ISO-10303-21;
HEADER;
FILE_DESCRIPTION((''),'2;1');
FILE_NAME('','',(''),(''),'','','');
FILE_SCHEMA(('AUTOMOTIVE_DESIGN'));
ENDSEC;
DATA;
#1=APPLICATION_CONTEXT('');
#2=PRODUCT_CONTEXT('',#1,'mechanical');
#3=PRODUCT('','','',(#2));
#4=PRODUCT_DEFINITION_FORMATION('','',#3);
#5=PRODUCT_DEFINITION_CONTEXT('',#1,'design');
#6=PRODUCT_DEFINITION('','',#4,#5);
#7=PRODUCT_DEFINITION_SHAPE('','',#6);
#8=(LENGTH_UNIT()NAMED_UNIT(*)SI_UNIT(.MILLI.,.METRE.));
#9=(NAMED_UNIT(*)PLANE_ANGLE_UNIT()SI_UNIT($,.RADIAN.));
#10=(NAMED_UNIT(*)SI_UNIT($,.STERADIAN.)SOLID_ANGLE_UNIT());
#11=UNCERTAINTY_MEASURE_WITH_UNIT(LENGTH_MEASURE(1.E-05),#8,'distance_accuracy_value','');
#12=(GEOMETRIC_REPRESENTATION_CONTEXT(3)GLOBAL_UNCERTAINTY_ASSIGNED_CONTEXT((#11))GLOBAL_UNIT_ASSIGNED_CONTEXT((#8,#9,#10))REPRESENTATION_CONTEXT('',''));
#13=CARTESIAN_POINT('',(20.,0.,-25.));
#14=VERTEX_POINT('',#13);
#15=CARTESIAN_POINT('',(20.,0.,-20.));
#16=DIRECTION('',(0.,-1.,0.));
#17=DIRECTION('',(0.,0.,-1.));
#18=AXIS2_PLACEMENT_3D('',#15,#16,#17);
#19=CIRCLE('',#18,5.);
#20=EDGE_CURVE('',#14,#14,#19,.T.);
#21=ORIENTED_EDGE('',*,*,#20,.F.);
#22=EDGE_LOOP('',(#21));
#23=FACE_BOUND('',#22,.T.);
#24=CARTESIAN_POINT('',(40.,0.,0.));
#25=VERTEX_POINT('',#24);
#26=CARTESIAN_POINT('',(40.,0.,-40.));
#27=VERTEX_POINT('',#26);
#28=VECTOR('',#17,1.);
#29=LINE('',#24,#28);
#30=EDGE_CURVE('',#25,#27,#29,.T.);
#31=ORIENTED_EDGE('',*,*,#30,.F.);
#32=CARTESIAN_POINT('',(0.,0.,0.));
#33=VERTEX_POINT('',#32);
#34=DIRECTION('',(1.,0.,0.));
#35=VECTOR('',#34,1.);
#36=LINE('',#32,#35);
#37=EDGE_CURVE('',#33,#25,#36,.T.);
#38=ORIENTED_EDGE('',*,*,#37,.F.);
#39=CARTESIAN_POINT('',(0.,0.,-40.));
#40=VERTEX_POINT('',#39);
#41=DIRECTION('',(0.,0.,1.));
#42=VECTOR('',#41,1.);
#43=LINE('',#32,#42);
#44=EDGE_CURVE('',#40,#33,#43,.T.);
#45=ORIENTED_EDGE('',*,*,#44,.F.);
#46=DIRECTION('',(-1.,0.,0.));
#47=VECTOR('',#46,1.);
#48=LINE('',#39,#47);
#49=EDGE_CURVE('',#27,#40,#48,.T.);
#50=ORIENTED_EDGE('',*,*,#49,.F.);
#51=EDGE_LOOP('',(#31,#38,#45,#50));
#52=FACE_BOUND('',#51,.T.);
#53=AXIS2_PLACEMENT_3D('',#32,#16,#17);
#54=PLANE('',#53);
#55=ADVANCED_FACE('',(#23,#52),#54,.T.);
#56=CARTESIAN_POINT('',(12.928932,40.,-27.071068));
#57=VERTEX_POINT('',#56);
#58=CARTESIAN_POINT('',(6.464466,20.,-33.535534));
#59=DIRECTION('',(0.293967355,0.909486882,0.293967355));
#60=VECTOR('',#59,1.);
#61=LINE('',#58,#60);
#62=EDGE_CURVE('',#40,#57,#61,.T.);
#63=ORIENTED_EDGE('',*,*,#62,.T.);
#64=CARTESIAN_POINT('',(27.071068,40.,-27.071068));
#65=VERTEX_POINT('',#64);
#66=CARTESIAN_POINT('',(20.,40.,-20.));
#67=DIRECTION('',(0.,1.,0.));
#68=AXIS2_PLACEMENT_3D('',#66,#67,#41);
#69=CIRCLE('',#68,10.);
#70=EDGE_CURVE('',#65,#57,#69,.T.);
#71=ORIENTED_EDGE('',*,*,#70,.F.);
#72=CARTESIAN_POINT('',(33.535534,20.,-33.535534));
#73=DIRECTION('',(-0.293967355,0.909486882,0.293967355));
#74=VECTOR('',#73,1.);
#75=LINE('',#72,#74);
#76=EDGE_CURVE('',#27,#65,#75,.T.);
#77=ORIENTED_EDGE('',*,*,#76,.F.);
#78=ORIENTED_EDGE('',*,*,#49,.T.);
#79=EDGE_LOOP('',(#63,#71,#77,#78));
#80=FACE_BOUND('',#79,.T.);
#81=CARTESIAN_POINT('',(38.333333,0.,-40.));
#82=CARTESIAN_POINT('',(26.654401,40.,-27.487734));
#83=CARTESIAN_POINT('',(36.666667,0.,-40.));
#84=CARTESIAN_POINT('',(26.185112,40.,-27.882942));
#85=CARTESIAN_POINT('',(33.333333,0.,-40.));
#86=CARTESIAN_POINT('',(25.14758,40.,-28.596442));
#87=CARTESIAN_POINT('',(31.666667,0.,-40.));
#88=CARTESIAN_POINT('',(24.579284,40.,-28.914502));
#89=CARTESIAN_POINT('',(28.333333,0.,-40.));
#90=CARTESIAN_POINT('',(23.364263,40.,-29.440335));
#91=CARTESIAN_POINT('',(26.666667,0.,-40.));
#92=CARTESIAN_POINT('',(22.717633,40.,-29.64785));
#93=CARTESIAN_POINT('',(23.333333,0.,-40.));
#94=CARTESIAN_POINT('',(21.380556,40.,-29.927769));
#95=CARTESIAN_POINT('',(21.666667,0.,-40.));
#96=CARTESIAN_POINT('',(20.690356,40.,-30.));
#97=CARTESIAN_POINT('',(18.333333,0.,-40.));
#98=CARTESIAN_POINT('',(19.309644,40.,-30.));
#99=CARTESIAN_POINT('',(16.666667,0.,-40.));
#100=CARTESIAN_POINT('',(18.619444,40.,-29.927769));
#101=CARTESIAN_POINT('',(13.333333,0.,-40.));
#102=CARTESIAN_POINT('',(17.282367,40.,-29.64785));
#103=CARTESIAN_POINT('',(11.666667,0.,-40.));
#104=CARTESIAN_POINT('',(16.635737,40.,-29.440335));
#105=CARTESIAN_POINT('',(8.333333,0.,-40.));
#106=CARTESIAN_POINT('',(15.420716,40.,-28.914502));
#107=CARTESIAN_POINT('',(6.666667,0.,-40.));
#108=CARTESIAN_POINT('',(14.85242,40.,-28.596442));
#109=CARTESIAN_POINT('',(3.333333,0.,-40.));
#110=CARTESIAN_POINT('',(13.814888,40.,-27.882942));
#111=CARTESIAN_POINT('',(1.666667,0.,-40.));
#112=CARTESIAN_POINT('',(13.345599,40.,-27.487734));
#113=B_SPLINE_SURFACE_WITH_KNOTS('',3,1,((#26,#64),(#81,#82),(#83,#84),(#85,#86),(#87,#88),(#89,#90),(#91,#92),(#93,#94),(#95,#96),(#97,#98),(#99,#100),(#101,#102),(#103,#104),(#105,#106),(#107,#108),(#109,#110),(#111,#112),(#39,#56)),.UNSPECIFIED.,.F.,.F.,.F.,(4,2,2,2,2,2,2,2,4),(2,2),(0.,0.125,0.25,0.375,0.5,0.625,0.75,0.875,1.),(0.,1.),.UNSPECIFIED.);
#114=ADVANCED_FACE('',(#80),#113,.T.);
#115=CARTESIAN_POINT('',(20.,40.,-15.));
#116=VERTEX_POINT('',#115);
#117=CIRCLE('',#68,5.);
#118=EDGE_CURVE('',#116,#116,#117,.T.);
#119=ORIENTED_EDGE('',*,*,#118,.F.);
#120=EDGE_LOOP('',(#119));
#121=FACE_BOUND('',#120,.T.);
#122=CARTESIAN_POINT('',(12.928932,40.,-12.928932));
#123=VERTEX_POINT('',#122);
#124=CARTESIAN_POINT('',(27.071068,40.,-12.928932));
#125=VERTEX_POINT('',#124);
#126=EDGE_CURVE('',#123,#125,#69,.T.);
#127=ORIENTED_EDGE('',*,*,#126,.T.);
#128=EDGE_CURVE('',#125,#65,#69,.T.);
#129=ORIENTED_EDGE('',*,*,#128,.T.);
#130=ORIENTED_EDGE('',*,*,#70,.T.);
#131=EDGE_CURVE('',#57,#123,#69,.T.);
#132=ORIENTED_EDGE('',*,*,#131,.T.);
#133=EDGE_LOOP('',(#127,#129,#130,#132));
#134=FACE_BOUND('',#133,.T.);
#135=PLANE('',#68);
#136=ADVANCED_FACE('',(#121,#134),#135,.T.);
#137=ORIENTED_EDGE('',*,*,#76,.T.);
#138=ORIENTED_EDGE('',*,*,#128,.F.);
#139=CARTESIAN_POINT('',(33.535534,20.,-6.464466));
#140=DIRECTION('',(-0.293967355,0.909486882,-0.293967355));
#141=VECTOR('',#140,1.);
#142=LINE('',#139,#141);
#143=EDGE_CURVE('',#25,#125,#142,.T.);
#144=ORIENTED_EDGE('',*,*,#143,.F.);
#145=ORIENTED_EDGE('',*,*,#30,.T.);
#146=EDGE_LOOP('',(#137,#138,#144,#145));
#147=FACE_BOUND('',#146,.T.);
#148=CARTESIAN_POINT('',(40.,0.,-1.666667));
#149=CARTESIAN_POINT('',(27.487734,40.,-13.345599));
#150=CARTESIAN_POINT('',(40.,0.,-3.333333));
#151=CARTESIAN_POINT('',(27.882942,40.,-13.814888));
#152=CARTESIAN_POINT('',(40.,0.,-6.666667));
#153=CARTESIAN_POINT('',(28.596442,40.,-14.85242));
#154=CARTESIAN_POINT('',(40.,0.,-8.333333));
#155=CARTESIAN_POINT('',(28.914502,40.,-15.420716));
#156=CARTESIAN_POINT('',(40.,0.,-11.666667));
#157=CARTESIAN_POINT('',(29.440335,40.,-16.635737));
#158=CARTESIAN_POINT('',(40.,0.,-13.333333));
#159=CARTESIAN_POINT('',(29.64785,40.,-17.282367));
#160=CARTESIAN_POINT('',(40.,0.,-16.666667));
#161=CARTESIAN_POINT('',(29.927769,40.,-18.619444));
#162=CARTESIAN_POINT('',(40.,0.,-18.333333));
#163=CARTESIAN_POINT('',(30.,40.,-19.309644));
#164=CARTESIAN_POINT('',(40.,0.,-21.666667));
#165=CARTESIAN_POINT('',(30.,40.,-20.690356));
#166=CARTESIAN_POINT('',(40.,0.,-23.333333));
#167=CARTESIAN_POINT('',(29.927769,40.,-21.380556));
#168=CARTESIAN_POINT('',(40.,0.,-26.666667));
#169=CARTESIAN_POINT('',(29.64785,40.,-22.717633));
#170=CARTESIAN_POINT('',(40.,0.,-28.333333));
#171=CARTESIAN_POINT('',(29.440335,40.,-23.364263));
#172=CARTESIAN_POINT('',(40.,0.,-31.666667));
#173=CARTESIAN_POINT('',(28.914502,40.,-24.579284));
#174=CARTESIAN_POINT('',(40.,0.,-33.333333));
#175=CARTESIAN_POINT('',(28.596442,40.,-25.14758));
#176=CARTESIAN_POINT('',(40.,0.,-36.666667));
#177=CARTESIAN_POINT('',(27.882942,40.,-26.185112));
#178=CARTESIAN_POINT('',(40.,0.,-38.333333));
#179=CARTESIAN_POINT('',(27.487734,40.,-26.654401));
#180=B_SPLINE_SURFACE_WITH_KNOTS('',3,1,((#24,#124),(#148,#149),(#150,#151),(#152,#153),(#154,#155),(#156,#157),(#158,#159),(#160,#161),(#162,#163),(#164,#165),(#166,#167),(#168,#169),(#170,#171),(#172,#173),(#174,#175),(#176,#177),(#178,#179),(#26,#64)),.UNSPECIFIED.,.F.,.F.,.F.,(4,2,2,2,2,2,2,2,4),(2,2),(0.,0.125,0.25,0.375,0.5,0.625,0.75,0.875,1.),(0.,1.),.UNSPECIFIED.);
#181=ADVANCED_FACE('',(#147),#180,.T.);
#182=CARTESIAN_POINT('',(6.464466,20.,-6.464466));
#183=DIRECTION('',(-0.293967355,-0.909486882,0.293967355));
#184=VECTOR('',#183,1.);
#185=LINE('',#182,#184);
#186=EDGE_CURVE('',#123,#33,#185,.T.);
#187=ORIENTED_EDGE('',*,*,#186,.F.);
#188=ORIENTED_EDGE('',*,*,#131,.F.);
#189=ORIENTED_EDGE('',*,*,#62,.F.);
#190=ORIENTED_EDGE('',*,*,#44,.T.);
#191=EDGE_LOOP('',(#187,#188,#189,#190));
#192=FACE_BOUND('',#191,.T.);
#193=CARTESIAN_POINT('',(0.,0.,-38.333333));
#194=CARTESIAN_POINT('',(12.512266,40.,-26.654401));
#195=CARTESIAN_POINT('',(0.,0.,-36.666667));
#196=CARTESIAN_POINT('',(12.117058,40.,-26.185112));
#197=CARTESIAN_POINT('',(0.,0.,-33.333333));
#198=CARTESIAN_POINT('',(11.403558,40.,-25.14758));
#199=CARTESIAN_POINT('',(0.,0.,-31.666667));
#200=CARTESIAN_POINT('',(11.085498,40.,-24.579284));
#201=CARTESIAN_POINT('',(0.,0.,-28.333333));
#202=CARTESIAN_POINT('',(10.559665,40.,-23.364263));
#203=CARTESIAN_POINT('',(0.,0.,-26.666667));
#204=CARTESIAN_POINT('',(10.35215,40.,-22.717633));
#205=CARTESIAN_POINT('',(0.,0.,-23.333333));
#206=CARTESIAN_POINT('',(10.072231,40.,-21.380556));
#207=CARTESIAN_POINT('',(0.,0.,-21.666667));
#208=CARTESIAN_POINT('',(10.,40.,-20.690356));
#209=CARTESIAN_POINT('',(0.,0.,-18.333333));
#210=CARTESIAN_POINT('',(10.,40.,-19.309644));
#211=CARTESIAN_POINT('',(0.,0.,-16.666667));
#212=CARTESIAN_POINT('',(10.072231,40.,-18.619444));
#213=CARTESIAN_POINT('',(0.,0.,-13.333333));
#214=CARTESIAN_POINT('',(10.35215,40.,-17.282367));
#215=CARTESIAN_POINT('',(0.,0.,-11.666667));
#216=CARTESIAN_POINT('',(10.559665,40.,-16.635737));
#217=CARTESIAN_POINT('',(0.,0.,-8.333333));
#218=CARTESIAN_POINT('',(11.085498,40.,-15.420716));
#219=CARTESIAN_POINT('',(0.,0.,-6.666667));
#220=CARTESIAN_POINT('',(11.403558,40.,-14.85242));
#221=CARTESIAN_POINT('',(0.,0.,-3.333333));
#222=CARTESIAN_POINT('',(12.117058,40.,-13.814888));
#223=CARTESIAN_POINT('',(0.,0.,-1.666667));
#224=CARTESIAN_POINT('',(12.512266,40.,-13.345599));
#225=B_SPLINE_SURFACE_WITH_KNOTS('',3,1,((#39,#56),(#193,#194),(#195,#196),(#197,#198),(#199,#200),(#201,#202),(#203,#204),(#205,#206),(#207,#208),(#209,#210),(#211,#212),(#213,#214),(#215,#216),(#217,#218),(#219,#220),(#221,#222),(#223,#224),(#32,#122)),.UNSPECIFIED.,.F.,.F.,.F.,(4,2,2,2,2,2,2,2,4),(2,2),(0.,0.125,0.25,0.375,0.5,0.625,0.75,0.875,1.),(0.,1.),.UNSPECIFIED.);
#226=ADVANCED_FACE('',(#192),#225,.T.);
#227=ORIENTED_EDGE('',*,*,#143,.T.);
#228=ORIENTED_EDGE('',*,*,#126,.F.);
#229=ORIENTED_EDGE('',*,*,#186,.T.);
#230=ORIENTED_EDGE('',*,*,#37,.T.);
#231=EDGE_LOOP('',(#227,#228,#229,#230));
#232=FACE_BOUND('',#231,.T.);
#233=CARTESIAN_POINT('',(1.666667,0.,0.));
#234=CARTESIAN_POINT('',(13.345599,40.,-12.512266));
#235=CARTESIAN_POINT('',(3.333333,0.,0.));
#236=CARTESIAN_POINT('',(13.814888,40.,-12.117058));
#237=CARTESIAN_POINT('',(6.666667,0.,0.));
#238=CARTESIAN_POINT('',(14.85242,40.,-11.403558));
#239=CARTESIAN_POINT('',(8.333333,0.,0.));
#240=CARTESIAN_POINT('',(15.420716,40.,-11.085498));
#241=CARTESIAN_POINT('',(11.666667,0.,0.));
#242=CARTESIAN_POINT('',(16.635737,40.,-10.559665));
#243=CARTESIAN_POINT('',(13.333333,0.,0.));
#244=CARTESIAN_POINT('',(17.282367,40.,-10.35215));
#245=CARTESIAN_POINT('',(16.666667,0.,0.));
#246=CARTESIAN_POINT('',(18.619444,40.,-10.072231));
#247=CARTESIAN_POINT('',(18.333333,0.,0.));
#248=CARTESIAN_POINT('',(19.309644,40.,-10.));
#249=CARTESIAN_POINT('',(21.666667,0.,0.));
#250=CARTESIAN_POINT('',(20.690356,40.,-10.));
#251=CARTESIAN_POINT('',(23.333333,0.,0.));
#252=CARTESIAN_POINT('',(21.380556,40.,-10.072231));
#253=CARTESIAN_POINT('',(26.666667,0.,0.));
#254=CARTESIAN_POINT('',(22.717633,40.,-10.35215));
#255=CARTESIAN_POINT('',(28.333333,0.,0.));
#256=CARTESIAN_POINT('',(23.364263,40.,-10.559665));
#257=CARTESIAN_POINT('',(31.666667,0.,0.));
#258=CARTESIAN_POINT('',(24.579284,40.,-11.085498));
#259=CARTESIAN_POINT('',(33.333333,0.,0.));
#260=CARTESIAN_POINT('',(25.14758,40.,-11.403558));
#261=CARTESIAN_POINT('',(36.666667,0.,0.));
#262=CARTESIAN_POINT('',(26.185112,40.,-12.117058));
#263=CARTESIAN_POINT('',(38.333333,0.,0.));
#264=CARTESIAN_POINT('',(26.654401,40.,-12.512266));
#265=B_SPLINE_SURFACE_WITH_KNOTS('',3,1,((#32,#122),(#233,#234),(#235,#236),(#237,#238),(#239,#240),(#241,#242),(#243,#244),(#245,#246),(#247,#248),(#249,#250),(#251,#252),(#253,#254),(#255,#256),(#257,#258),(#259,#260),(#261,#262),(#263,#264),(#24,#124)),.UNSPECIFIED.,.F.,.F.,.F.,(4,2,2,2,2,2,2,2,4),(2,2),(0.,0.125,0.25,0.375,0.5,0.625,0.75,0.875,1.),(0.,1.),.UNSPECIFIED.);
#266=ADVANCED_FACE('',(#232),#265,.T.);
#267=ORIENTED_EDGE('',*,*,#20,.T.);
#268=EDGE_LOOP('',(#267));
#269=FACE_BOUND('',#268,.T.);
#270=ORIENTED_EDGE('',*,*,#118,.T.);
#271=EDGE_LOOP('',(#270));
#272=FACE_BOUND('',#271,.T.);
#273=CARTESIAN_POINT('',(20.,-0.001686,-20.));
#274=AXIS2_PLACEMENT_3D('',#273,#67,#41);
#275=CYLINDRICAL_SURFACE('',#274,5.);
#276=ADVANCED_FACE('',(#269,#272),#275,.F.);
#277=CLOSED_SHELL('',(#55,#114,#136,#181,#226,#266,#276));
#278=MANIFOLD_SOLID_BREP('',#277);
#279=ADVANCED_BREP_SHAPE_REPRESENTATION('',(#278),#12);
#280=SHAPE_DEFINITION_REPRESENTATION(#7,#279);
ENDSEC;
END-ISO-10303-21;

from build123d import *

# Parameters (mm, degrees)
SKETCH1_W          = 40
SKETCH1_H          = 40
SKETCH3_R          = 5
CUT_EXTRUDE1_DEPTH = 70.282032476


with BuildPart() as part:
    # Sketch1 → Loft1 section 0
    with BuildSketch(Plane(origin=(0, 0, 0), x_dir=(1, 0, 0), z_dir=(0, 1, 0))):
        with Locations((20, 20)):
            Rectangle(SKETCH1_W, SKETCH1_H)
    # Sketch2 for Loft1 → Loft1 section 1
    with BuildSketch(Plane(origin=(0, 40, 0), x_dir=(1, 0, 0), z_dir=(0, 1, 0))):
        with BuildLine():
            # circular arc as an exact rational Bezier (weights 1, cos(half-angle), 1)
            Bezier((12.928932188, 12.928932188), (20, 5.857864377), (27.071067812, 12.928932188), weights=[1, 0.707106781, 1])
            Bezier((27.071067812, 12.928932188), (34.142135623, 20), (27.071067812, 27.071067812), weights=[1, 0.707106781, 1])
            Bezier((27.071067812, 27.071067812), (20, 34.142135623), (12.928932188, 27.071067812), weights=[1, 0.707106781, 1])
            Bezier((12.928932188, 27.071067812), (5.857864377, 20), (12.928932188, 12.928932188), weights=[1, 0.707106781, 1])
        make_face()
    loft()

    # Sketch3 → Cut-Extrude1 (cut, through all)
    with BuildSketch(Plane(origin=(0, 40, 0), x_dir=(1, 0, 0), z_dir=(0, 1, 0))):
        with Locations(Location((20, 20, 0), (0, 0, 270))):
            Circle(SKETCH3_R)
    extrude(amount=-CUT_EXTRUDE1_DEPTH, mode=Mode.SUBTRACT)


solid = part.part
